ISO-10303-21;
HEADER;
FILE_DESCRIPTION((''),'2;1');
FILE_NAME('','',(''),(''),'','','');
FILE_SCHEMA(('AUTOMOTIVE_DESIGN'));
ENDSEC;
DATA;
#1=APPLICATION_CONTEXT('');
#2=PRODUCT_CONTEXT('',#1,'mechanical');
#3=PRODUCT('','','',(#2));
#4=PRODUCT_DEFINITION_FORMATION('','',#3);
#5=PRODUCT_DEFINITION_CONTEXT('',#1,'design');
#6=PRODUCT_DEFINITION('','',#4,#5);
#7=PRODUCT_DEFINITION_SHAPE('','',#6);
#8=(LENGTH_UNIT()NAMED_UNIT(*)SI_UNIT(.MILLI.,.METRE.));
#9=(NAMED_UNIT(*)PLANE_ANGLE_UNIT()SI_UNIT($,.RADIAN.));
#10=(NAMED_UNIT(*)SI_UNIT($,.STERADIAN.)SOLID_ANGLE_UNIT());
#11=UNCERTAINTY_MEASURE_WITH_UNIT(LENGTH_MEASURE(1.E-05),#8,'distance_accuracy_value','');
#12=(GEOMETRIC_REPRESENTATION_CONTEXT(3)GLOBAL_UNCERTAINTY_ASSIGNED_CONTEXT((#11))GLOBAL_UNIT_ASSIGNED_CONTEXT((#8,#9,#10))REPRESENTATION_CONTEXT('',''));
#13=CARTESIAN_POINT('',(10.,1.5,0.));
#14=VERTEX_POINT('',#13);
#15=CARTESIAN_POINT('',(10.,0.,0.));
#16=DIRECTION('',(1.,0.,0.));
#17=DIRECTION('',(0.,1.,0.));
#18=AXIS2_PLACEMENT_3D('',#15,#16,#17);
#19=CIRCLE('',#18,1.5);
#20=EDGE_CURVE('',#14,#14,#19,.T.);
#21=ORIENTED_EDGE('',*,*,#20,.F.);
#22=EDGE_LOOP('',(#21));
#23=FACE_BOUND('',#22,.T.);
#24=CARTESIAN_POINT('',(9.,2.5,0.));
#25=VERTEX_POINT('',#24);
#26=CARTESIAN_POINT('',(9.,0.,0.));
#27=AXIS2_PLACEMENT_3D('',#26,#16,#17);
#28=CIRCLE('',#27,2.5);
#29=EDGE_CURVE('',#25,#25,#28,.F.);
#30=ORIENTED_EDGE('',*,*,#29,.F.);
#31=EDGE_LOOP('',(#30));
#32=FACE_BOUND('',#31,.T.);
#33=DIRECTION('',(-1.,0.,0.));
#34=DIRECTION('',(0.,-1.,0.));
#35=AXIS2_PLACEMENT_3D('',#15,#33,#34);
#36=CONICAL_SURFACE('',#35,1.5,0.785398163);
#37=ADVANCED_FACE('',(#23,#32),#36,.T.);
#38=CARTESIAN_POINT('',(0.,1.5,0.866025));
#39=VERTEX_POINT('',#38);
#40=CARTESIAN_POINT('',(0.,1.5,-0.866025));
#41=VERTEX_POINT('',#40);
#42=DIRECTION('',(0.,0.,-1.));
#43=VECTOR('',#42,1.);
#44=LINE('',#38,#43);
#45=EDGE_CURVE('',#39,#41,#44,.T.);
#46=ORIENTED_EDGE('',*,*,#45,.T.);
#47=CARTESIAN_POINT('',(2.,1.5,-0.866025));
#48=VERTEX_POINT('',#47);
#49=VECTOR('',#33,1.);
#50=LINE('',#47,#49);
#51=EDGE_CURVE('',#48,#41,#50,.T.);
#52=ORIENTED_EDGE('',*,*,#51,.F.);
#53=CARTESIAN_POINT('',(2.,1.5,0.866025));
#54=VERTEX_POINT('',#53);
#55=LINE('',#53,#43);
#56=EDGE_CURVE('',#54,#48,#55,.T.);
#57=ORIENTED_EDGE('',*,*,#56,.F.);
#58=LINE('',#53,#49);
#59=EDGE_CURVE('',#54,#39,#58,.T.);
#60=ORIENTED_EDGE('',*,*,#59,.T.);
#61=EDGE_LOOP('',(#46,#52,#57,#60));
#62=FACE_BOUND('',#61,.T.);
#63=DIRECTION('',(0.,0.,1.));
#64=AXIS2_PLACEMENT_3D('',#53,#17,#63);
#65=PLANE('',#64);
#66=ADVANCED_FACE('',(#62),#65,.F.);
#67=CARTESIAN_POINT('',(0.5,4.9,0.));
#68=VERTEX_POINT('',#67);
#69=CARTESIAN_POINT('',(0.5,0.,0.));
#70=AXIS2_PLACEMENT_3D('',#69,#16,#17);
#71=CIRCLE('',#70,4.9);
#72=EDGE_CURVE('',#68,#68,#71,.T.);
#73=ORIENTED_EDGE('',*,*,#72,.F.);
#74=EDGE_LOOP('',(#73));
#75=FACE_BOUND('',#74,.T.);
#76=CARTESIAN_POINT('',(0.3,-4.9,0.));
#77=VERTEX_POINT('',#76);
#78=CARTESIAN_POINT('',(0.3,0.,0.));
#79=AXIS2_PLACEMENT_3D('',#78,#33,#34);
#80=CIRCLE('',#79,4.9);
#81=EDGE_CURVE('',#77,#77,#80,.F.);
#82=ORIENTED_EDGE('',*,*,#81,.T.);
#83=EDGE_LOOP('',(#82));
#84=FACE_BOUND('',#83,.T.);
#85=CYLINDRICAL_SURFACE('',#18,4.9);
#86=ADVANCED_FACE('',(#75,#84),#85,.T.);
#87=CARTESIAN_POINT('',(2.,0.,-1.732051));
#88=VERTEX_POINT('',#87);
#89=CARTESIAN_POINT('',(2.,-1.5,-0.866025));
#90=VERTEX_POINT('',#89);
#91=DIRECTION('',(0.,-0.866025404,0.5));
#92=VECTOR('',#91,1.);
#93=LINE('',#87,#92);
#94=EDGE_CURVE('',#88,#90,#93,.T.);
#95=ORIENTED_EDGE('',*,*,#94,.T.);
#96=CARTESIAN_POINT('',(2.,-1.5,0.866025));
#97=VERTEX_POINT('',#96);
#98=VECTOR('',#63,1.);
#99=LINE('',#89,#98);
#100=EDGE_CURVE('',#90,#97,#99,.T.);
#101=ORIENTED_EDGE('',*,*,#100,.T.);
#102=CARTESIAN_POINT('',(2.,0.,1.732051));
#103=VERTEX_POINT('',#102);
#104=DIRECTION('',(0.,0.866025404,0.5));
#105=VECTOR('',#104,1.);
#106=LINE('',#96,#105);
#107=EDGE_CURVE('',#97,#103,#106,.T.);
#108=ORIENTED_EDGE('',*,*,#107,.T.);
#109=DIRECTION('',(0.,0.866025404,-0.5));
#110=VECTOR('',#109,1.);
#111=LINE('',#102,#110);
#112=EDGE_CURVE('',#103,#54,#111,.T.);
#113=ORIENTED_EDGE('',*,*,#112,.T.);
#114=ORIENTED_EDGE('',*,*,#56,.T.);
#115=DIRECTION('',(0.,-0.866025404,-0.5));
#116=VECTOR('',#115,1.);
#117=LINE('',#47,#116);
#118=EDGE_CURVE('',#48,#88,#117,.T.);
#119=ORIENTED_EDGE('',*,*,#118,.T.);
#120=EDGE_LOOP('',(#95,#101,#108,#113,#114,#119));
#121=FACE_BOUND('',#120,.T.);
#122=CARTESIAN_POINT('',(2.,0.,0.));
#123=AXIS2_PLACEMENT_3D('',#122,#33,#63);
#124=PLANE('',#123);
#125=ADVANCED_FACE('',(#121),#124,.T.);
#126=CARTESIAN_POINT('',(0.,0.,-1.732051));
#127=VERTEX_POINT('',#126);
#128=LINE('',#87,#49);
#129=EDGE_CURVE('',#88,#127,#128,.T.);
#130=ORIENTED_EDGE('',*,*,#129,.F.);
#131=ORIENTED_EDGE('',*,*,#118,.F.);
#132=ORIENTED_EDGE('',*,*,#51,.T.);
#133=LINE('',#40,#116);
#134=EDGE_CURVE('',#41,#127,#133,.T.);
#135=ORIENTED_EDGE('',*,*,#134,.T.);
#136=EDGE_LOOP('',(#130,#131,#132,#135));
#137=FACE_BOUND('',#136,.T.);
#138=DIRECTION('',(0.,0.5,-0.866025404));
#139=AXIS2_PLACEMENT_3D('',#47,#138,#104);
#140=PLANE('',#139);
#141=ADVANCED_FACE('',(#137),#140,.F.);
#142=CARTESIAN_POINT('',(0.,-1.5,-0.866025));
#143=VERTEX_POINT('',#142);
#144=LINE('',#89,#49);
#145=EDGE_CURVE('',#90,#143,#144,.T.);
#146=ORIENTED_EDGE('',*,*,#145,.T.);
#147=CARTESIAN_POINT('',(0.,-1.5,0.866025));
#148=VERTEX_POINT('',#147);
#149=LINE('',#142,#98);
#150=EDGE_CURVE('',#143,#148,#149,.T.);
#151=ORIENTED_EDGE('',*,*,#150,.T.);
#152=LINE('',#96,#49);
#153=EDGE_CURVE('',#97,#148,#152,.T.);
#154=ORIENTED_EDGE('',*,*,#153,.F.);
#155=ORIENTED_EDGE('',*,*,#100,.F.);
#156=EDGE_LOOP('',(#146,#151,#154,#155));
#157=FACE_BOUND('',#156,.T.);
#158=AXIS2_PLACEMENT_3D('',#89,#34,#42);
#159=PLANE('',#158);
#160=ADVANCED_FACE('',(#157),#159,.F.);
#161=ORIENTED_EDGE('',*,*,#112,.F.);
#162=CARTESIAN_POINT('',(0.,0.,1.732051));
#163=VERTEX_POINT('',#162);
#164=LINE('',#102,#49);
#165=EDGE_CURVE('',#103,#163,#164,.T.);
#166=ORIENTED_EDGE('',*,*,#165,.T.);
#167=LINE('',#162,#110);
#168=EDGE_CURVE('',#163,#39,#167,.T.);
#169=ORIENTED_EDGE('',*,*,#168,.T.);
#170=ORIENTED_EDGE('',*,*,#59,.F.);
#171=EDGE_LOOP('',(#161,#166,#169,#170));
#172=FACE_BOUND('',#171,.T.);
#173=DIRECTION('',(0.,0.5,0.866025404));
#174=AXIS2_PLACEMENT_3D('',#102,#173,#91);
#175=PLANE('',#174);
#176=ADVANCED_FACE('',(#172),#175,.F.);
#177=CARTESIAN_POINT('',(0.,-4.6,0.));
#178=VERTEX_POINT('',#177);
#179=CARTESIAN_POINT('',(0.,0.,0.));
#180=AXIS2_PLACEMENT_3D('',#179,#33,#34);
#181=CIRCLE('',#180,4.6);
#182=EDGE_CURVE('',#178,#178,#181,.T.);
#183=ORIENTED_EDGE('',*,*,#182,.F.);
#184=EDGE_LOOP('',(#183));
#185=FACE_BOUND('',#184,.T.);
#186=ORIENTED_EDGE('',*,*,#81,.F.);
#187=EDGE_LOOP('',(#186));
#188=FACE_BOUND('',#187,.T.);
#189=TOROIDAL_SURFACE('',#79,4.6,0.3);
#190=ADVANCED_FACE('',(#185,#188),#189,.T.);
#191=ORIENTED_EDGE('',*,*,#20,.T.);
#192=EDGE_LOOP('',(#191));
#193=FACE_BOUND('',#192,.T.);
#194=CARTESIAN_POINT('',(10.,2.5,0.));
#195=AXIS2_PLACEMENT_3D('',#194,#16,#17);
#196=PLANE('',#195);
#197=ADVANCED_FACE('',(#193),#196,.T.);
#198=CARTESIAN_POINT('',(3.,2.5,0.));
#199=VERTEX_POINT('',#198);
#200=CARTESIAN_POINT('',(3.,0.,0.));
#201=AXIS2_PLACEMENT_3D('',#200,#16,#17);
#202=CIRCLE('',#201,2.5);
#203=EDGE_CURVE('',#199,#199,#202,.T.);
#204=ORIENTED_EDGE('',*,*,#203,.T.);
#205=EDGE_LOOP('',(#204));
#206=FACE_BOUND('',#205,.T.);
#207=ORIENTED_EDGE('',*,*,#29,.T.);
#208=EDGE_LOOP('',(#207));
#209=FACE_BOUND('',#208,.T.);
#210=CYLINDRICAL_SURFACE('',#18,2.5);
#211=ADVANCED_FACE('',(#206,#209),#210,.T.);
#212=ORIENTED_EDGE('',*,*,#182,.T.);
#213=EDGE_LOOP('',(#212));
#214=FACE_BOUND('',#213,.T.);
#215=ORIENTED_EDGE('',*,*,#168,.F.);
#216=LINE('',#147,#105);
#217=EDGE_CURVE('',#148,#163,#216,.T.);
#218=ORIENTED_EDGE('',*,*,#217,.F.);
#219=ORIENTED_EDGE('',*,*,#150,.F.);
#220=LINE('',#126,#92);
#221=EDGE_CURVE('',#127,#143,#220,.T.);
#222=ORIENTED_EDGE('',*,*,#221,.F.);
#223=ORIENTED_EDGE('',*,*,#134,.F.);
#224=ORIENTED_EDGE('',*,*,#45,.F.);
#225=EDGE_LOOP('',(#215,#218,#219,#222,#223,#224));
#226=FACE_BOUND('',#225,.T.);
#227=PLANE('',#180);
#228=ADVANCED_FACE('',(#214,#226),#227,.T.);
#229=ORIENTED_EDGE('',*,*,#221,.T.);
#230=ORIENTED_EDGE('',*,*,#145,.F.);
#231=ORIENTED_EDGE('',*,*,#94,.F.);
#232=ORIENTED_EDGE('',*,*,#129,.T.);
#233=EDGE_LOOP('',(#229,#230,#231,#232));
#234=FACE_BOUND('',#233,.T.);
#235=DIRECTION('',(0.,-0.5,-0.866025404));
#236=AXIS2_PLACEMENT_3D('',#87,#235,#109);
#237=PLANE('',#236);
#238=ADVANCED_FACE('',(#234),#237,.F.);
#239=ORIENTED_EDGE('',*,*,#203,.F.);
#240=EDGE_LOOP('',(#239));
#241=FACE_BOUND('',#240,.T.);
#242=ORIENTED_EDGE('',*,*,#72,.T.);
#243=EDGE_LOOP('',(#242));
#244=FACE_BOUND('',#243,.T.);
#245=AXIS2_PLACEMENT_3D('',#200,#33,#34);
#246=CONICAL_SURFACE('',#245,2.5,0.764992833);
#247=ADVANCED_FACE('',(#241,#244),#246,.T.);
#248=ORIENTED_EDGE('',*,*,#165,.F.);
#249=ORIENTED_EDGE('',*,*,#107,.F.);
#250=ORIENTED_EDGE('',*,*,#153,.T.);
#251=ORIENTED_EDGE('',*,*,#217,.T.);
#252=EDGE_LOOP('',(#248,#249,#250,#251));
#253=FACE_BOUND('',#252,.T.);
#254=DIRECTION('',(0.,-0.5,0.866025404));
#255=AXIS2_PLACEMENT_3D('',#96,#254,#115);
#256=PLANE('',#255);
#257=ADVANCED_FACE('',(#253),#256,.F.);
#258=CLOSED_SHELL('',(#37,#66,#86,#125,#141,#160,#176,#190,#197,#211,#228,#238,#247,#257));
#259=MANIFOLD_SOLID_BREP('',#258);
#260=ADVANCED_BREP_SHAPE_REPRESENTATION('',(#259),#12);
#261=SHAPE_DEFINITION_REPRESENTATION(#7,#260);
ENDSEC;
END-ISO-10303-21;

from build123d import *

# Parameters (mm, degrees)
CUT_EXTRUDE_1_DEPTH = 2
FILLET_1_R          = 0.3
CHAMFER_1_SIZE      = 1


with BuildPart() as part:
    # Эскиз1 → Повернуть1 (revolve)
    with BuildSketch(Plane.XY):
        Polygon((0, 0), (0, 4.9), (0.5, 4.9), (3, 2.5), (10, 2.5), (10, 0), align=None)
    revolve(axis=Axis((10, 0, 0), (-1, 0, 0)))

    # Эскиз2 → Вырез-Вытянуть1 (cut)
    with BuildSketch(Plane.ZY):
        Polygon((0.866025404, 1.5), (-0.866025404, 1.5), (-1.732050808, 0), (-0.866025404, -1.5), (0.866025404, -1.5), (1.732050808, 0), align=None)
    extrude(amount=-CUT_EXTRUDE_1_DEPTH, mode=Mode.SUBTRACT)

    # Скругление1
    fillet_1_edges = [part.edges().sort_by_distance(p)[0] for p in [
        (0, -4.9, 0),
    ]]
    fillet(fillet_1_edges, radius=FILLET_1_R)

    # Фаска1
    chamfer_1_edges = [part.edges().sort_by_distance(p)[0] for p in [
        (10, -2.5, 0),
    ]]
    chamfer(chamfer_1_edges, length=CHAMFER_1_SIZE)


solid = part.part
